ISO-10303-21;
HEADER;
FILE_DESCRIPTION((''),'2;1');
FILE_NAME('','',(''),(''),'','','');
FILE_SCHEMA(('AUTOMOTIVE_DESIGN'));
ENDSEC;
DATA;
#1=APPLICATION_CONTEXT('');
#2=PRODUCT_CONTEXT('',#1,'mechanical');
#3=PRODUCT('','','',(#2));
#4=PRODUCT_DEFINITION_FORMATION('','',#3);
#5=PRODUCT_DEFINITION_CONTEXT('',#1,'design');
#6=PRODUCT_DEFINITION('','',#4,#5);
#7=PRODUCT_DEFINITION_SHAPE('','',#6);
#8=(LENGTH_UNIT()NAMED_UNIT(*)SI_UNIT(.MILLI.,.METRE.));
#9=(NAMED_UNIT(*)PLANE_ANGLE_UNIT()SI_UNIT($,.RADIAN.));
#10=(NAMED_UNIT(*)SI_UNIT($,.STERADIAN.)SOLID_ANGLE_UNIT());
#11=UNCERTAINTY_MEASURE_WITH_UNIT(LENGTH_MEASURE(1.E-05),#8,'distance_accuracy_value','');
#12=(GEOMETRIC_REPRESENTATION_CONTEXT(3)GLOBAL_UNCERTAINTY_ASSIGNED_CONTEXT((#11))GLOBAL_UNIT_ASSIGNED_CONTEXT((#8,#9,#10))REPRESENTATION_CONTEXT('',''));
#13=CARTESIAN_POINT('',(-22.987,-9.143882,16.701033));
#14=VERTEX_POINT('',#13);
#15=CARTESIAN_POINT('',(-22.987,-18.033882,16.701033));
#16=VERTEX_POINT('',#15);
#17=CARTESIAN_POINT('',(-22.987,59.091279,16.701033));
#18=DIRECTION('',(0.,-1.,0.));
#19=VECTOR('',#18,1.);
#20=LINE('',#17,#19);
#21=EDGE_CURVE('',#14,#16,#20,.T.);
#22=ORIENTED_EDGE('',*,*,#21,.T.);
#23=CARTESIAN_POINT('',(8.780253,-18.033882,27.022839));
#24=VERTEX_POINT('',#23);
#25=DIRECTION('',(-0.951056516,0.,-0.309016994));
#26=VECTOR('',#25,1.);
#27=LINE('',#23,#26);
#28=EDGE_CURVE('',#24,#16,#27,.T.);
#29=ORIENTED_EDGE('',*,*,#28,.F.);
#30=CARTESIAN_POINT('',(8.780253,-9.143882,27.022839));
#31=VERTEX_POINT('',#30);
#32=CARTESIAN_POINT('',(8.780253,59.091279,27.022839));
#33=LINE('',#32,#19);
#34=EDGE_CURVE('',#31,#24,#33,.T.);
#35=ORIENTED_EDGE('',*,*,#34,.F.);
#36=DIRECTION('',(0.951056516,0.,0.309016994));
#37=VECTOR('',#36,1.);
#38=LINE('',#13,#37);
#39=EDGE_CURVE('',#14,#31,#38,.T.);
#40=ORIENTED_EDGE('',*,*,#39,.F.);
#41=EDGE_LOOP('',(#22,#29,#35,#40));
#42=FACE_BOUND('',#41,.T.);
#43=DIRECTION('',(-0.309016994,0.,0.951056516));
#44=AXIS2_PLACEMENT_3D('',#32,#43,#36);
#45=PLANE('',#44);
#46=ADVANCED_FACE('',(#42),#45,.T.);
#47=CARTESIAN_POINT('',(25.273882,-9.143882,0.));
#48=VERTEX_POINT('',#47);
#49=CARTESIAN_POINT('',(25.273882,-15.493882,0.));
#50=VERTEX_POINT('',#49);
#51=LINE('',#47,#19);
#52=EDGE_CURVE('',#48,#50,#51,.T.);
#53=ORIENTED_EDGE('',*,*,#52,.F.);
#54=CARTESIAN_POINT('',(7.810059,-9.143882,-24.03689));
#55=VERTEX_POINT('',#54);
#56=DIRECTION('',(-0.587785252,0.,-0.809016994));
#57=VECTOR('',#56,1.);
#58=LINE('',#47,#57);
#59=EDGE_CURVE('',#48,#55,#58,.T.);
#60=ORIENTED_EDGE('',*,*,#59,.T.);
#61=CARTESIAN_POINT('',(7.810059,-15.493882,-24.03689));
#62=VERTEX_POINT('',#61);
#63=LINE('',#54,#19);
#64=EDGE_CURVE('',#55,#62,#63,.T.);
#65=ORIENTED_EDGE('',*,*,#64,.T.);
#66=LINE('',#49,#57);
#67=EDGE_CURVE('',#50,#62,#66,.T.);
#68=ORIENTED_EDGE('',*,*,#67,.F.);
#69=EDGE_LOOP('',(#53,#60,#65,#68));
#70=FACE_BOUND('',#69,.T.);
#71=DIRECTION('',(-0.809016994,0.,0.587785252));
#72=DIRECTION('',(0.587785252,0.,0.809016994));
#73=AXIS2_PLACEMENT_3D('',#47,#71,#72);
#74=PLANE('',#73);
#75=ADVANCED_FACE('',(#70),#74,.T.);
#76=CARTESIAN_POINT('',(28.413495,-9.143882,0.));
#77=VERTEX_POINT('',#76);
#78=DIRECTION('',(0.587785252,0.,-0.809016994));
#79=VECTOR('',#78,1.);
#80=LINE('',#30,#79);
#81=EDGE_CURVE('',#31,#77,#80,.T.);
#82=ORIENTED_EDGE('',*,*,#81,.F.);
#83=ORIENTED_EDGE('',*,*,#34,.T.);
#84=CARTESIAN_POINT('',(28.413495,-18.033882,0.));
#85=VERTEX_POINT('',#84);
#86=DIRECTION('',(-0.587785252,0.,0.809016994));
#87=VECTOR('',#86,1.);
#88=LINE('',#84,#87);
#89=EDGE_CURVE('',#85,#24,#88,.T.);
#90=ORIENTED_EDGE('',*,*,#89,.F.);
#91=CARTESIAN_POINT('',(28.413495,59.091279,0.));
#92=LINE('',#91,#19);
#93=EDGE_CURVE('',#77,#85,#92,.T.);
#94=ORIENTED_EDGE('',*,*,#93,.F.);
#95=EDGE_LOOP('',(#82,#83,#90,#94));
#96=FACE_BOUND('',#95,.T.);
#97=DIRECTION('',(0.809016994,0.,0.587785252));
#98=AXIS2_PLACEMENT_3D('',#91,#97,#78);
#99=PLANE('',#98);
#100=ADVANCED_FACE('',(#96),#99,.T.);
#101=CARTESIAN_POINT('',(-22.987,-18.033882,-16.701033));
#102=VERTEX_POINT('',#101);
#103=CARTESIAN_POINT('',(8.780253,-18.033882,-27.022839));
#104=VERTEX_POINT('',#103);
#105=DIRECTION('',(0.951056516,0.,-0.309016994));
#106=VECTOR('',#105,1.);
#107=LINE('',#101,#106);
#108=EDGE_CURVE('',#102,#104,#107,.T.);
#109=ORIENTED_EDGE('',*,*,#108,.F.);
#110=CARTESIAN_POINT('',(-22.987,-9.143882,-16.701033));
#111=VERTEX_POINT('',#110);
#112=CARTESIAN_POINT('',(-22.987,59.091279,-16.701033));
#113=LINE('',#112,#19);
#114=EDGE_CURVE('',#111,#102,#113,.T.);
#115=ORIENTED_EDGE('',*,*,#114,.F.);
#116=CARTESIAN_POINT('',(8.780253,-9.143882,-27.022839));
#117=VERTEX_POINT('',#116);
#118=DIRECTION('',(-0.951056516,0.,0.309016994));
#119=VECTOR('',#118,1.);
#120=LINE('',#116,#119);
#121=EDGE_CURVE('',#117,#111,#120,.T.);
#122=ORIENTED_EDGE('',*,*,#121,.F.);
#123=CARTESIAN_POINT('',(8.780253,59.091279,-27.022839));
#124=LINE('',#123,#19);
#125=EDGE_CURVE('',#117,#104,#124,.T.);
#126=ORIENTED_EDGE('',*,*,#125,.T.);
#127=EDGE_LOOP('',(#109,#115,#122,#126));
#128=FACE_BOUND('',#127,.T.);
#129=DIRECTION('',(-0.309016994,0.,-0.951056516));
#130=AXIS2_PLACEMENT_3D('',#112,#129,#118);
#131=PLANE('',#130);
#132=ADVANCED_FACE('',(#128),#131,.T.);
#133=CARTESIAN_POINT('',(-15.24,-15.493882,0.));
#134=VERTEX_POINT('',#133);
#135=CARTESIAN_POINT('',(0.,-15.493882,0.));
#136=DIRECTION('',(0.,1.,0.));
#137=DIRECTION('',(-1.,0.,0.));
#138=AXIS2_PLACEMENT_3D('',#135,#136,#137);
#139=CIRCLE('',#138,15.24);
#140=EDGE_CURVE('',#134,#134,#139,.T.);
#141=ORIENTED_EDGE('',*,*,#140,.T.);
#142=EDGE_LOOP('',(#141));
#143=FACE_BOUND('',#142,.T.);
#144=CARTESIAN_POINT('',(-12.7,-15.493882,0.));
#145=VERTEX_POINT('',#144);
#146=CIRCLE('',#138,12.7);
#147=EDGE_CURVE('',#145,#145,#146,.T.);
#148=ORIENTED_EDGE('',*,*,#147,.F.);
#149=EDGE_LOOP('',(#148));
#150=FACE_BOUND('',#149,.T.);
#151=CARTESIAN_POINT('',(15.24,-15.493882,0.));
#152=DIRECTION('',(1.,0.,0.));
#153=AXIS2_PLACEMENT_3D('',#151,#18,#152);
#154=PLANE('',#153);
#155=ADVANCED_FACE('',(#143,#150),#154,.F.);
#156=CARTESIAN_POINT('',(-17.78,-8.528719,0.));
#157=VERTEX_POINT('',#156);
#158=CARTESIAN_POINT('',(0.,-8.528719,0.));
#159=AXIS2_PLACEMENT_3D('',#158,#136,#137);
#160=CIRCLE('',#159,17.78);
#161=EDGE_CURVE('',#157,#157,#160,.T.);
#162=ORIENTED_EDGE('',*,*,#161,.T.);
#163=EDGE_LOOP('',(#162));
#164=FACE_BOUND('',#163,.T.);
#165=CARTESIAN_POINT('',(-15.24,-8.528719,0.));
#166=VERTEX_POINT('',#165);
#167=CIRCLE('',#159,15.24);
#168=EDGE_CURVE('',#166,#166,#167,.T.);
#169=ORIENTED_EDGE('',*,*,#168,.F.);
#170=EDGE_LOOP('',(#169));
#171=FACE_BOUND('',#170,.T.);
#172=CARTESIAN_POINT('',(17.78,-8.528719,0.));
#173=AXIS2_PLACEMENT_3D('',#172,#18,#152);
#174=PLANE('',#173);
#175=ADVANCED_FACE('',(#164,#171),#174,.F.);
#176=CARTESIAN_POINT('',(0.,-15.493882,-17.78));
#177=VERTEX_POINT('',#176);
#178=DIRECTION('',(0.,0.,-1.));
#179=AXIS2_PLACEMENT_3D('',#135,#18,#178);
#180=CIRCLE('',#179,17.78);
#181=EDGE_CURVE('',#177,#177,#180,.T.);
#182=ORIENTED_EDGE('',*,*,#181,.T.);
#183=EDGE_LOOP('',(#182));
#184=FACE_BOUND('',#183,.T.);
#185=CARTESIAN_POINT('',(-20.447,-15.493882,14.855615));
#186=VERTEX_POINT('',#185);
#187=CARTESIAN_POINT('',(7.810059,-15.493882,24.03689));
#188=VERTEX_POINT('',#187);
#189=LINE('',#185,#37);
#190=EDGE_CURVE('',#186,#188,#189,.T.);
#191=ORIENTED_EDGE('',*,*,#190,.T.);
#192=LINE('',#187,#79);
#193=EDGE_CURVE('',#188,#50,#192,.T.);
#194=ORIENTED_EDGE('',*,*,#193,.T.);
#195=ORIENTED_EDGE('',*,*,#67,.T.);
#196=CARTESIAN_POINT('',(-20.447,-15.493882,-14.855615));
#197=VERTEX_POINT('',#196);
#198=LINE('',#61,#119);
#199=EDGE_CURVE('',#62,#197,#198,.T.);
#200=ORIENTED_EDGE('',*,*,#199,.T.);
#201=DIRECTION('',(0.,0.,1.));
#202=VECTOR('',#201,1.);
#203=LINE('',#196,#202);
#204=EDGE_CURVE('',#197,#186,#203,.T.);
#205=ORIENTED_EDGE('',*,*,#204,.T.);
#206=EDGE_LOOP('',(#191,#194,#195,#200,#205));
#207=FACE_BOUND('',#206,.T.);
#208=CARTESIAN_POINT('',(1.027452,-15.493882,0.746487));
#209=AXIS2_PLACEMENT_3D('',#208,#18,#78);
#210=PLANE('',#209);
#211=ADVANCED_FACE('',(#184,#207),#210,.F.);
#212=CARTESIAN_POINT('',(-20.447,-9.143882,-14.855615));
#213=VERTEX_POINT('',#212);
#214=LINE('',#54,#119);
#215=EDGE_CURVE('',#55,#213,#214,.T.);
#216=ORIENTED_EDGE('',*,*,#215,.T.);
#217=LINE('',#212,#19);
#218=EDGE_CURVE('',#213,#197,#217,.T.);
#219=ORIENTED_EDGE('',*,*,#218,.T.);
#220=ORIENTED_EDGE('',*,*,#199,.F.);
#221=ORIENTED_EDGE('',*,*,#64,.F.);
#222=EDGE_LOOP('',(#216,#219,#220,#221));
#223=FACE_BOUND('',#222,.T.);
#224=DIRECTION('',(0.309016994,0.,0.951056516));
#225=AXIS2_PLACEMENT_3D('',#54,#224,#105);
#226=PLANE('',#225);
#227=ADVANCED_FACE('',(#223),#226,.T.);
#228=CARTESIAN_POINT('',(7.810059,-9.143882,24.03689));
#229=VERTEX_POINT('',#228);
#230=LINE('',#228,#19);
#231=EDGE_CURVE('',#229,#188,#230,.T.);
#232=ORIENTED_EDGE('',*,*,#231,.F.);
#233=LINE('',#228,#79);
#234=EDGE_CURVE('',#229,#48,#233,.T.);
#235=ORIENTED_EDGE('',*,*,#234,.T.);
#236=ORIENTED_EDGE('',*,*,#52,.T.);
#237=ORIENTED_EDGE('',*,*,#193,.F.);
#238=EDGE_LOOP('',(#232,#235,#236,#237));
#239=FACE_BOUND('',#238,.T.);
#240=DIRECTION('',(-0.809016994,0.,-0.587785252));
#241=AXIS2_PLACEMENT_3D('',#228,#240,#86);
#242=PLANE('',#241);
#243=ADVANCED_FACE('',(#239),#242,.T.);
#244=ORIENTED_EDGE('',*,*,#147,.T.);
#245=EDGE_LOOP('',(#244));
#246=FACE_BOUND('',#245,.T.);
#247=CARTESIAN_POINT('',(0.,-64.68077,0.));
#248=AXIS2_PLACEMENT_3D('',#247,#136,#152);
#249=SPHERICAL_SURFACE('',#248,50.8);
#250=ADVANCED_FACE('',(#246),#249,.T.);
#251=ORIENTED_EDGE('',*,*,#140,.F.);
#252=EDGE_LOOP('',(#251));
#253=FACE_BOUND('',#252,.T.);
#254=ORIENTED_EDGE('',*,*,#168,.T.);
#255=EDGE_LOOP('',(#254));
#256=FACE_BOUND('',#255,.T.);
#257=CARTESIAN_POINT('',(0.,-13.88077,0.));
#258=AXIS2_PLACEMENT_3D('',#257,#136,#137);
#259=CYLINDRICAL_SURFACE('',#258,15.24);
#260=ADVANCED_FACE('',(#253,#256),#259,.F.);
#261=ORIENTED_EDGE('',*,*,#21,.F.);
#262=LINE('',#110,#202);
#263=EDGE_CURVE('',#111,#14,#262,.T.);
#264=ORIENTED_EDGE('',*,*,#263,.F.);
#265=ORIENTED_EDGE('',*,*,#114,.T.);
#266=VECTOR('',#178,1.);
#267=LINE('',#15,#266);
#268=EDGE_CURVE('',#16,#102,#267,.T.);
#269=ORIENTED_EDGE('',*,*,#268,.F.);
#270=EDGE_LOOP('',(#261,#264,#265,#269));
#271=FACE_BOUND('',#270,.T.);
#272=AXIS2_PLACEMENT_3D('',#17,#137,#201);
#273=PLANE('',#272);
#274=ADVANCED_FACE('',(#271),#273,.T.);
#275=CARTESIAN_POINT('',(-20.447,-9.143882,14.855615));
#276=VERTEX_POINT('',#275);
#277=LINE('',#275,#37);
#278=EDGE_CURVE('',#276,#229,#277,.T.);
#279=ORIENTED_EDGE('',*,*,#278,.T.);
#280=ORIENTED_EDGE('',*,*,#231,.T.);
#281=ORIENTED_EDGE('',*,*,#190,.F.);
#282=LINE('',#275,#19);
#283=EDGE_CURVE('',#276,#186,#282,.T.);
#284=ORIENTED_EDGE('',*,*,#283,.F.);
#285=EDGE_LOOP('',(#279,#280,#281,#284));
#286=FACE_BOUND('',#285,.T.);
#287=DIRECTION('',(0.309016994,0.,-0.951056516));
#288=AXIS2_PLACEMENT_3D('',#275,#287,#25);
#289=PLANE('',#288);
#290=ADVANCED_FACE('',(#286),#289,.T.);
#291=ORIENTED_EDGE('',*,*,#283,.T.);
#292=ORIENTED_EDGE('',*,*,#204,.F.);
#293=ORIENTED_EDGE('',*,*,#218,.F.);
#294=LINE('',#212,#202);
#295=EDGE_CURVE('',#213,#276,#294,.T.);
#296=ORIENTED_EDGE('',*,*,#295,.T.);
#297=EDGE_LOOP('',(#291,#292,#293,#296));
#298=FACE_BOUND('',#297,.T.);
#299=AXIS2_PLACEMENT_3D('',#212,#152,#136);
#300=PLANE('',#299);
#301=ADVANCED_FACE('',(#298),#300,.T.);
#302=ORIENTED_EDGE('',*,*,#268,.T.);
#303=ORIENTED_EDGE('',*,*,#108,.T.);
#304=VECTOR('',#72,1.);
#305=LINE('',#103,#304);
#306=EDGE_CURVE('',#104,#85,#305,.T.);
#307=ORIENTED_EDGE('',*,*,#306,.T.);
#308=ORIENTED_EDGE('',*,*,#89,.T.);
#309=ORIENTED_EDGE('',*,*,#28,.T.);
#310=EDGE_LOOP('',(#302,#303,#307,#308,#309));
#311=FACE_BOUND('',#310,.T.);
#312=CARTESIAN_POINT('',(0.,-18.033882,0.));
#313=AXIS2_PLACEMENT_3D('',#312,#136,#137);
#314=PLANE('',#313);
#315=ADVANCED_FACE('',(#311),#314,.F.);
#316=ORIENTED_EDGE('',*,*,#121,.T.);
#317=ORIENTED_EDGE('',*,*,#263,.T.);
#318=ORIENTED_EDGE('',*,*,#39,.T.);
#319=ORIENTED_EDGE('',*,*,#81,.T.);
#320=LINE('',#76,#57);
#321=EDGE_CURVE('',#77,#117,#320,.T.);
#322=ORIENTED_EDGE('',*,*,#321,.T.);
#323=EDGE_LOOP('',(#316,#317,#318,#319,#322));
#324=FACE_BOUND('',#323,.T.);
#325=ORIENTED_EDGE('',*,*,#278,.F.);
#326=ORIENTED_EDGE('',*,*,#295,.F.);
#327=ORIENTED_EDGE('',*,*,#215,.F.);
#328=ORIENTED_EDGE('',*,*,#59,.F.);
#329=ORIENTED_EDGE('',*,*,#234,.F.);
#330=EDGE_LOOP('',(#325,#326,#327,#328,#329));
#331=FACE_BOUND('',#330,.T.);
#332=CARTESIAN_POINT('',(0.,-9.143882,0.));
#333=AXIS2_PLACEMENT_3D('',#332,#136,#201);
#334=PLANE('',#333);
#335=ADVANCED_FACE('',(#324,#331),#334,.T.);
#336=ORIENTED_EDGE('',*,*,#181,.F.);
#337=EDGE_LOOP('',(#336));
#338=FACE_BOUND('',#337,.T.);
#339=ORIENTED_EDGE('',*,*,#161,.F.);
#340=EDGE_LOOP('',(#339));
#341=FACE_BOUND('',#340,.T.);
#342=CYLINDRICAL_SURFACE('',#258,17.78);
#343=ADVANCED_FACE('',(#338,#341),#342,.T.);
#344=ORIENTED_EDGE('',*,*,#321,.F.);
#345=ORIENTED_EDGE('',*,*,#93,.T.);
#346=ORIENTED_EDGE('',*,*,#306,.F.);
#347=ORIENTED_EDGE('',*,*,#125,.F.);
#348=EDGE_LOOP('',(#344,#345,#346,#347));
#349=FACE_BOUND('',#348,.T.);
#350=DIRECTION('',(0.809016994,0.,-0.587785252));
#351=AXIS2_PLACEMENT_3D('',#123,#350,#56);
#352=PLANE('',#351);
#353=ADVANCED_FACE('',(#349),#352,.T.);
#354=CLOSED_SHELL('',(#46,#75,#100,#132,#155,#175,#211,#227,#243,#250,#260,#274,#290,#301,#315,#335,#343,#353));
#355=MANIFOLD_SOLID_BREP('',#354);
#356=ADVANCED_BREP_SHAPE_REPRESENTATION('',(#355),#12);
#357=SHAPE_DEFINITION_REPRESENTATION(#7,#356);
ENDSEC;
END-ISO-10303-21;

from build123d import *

# Parameters (mm, degrees)
BOSS_EXTRUDE1_DEPTH = 2.54
BOSS_EXTRUDE2_DEPTH = 6.35


with BuildPart() as part:
    # Sketch1 → Revolve1 (revolve)
    with BuildSketch(Plane.XY):
        with BuildLine():
            Line((0, -13.880770422), (0, -18.033881925))
            Line((0, -18.033881925), (17.78, -18.033881925))
            Line((17.78, -18.033881925), (17.78, -8.528719197))
            Line((17.78, -8.528719197), (15.24, -8.528719197))
            Line((15.24, -8.528719197), (15.24, -15.493881925))
            Line((15.24, -15.493881925), (12.7, -15.493881925))
            ThreePointArc((12.7, -15.493881925), (6.401018058, -14.285661851), (0, -13.880770422))
        make_face()
    revolve(axis=Axis((0, -13.880770422, 0), (0, -1, 0)))

    # Sketch2 → Boss-Extrude1 (add)
    with BuildSketch(Plane.XZ.offset(18.033881925)):
        Polygon((28.413494599, 0), (8.780252701, 27.022839189), (-22.987, 16.701033091), (-22.987, -16.701033091), (8.780252701, -27.022839189), align=None)
    extrude(amount=-BOSS_EXTRUDE1_DEPTH)

    # Sketch3 → Boss-Extrude2 (add)
    with BuildSketch(Plane(origin=(0, -15.493881925, 0), x_dir=(1, 0, 0), z_dir=(0, 1, 0))):
        Polygon((28.413494599, 0), (8.780252701, 27.022839189), (-22.987, 16.701033091), (-22.987, -16.701033091), (8.780252701, -27.022839189), align=None)
        Polygon((25.273881936, 0), (7.810059032, 24.036890107), (-20.447, 14.85561507), (-20.447, -14.85561507), (7.810059032, -24.036890107), align=None, mode=Mode.SUBTRACT)
    extrude(amount=BOSS_EXTRUDE2_DEPTH)


solid = part.part
